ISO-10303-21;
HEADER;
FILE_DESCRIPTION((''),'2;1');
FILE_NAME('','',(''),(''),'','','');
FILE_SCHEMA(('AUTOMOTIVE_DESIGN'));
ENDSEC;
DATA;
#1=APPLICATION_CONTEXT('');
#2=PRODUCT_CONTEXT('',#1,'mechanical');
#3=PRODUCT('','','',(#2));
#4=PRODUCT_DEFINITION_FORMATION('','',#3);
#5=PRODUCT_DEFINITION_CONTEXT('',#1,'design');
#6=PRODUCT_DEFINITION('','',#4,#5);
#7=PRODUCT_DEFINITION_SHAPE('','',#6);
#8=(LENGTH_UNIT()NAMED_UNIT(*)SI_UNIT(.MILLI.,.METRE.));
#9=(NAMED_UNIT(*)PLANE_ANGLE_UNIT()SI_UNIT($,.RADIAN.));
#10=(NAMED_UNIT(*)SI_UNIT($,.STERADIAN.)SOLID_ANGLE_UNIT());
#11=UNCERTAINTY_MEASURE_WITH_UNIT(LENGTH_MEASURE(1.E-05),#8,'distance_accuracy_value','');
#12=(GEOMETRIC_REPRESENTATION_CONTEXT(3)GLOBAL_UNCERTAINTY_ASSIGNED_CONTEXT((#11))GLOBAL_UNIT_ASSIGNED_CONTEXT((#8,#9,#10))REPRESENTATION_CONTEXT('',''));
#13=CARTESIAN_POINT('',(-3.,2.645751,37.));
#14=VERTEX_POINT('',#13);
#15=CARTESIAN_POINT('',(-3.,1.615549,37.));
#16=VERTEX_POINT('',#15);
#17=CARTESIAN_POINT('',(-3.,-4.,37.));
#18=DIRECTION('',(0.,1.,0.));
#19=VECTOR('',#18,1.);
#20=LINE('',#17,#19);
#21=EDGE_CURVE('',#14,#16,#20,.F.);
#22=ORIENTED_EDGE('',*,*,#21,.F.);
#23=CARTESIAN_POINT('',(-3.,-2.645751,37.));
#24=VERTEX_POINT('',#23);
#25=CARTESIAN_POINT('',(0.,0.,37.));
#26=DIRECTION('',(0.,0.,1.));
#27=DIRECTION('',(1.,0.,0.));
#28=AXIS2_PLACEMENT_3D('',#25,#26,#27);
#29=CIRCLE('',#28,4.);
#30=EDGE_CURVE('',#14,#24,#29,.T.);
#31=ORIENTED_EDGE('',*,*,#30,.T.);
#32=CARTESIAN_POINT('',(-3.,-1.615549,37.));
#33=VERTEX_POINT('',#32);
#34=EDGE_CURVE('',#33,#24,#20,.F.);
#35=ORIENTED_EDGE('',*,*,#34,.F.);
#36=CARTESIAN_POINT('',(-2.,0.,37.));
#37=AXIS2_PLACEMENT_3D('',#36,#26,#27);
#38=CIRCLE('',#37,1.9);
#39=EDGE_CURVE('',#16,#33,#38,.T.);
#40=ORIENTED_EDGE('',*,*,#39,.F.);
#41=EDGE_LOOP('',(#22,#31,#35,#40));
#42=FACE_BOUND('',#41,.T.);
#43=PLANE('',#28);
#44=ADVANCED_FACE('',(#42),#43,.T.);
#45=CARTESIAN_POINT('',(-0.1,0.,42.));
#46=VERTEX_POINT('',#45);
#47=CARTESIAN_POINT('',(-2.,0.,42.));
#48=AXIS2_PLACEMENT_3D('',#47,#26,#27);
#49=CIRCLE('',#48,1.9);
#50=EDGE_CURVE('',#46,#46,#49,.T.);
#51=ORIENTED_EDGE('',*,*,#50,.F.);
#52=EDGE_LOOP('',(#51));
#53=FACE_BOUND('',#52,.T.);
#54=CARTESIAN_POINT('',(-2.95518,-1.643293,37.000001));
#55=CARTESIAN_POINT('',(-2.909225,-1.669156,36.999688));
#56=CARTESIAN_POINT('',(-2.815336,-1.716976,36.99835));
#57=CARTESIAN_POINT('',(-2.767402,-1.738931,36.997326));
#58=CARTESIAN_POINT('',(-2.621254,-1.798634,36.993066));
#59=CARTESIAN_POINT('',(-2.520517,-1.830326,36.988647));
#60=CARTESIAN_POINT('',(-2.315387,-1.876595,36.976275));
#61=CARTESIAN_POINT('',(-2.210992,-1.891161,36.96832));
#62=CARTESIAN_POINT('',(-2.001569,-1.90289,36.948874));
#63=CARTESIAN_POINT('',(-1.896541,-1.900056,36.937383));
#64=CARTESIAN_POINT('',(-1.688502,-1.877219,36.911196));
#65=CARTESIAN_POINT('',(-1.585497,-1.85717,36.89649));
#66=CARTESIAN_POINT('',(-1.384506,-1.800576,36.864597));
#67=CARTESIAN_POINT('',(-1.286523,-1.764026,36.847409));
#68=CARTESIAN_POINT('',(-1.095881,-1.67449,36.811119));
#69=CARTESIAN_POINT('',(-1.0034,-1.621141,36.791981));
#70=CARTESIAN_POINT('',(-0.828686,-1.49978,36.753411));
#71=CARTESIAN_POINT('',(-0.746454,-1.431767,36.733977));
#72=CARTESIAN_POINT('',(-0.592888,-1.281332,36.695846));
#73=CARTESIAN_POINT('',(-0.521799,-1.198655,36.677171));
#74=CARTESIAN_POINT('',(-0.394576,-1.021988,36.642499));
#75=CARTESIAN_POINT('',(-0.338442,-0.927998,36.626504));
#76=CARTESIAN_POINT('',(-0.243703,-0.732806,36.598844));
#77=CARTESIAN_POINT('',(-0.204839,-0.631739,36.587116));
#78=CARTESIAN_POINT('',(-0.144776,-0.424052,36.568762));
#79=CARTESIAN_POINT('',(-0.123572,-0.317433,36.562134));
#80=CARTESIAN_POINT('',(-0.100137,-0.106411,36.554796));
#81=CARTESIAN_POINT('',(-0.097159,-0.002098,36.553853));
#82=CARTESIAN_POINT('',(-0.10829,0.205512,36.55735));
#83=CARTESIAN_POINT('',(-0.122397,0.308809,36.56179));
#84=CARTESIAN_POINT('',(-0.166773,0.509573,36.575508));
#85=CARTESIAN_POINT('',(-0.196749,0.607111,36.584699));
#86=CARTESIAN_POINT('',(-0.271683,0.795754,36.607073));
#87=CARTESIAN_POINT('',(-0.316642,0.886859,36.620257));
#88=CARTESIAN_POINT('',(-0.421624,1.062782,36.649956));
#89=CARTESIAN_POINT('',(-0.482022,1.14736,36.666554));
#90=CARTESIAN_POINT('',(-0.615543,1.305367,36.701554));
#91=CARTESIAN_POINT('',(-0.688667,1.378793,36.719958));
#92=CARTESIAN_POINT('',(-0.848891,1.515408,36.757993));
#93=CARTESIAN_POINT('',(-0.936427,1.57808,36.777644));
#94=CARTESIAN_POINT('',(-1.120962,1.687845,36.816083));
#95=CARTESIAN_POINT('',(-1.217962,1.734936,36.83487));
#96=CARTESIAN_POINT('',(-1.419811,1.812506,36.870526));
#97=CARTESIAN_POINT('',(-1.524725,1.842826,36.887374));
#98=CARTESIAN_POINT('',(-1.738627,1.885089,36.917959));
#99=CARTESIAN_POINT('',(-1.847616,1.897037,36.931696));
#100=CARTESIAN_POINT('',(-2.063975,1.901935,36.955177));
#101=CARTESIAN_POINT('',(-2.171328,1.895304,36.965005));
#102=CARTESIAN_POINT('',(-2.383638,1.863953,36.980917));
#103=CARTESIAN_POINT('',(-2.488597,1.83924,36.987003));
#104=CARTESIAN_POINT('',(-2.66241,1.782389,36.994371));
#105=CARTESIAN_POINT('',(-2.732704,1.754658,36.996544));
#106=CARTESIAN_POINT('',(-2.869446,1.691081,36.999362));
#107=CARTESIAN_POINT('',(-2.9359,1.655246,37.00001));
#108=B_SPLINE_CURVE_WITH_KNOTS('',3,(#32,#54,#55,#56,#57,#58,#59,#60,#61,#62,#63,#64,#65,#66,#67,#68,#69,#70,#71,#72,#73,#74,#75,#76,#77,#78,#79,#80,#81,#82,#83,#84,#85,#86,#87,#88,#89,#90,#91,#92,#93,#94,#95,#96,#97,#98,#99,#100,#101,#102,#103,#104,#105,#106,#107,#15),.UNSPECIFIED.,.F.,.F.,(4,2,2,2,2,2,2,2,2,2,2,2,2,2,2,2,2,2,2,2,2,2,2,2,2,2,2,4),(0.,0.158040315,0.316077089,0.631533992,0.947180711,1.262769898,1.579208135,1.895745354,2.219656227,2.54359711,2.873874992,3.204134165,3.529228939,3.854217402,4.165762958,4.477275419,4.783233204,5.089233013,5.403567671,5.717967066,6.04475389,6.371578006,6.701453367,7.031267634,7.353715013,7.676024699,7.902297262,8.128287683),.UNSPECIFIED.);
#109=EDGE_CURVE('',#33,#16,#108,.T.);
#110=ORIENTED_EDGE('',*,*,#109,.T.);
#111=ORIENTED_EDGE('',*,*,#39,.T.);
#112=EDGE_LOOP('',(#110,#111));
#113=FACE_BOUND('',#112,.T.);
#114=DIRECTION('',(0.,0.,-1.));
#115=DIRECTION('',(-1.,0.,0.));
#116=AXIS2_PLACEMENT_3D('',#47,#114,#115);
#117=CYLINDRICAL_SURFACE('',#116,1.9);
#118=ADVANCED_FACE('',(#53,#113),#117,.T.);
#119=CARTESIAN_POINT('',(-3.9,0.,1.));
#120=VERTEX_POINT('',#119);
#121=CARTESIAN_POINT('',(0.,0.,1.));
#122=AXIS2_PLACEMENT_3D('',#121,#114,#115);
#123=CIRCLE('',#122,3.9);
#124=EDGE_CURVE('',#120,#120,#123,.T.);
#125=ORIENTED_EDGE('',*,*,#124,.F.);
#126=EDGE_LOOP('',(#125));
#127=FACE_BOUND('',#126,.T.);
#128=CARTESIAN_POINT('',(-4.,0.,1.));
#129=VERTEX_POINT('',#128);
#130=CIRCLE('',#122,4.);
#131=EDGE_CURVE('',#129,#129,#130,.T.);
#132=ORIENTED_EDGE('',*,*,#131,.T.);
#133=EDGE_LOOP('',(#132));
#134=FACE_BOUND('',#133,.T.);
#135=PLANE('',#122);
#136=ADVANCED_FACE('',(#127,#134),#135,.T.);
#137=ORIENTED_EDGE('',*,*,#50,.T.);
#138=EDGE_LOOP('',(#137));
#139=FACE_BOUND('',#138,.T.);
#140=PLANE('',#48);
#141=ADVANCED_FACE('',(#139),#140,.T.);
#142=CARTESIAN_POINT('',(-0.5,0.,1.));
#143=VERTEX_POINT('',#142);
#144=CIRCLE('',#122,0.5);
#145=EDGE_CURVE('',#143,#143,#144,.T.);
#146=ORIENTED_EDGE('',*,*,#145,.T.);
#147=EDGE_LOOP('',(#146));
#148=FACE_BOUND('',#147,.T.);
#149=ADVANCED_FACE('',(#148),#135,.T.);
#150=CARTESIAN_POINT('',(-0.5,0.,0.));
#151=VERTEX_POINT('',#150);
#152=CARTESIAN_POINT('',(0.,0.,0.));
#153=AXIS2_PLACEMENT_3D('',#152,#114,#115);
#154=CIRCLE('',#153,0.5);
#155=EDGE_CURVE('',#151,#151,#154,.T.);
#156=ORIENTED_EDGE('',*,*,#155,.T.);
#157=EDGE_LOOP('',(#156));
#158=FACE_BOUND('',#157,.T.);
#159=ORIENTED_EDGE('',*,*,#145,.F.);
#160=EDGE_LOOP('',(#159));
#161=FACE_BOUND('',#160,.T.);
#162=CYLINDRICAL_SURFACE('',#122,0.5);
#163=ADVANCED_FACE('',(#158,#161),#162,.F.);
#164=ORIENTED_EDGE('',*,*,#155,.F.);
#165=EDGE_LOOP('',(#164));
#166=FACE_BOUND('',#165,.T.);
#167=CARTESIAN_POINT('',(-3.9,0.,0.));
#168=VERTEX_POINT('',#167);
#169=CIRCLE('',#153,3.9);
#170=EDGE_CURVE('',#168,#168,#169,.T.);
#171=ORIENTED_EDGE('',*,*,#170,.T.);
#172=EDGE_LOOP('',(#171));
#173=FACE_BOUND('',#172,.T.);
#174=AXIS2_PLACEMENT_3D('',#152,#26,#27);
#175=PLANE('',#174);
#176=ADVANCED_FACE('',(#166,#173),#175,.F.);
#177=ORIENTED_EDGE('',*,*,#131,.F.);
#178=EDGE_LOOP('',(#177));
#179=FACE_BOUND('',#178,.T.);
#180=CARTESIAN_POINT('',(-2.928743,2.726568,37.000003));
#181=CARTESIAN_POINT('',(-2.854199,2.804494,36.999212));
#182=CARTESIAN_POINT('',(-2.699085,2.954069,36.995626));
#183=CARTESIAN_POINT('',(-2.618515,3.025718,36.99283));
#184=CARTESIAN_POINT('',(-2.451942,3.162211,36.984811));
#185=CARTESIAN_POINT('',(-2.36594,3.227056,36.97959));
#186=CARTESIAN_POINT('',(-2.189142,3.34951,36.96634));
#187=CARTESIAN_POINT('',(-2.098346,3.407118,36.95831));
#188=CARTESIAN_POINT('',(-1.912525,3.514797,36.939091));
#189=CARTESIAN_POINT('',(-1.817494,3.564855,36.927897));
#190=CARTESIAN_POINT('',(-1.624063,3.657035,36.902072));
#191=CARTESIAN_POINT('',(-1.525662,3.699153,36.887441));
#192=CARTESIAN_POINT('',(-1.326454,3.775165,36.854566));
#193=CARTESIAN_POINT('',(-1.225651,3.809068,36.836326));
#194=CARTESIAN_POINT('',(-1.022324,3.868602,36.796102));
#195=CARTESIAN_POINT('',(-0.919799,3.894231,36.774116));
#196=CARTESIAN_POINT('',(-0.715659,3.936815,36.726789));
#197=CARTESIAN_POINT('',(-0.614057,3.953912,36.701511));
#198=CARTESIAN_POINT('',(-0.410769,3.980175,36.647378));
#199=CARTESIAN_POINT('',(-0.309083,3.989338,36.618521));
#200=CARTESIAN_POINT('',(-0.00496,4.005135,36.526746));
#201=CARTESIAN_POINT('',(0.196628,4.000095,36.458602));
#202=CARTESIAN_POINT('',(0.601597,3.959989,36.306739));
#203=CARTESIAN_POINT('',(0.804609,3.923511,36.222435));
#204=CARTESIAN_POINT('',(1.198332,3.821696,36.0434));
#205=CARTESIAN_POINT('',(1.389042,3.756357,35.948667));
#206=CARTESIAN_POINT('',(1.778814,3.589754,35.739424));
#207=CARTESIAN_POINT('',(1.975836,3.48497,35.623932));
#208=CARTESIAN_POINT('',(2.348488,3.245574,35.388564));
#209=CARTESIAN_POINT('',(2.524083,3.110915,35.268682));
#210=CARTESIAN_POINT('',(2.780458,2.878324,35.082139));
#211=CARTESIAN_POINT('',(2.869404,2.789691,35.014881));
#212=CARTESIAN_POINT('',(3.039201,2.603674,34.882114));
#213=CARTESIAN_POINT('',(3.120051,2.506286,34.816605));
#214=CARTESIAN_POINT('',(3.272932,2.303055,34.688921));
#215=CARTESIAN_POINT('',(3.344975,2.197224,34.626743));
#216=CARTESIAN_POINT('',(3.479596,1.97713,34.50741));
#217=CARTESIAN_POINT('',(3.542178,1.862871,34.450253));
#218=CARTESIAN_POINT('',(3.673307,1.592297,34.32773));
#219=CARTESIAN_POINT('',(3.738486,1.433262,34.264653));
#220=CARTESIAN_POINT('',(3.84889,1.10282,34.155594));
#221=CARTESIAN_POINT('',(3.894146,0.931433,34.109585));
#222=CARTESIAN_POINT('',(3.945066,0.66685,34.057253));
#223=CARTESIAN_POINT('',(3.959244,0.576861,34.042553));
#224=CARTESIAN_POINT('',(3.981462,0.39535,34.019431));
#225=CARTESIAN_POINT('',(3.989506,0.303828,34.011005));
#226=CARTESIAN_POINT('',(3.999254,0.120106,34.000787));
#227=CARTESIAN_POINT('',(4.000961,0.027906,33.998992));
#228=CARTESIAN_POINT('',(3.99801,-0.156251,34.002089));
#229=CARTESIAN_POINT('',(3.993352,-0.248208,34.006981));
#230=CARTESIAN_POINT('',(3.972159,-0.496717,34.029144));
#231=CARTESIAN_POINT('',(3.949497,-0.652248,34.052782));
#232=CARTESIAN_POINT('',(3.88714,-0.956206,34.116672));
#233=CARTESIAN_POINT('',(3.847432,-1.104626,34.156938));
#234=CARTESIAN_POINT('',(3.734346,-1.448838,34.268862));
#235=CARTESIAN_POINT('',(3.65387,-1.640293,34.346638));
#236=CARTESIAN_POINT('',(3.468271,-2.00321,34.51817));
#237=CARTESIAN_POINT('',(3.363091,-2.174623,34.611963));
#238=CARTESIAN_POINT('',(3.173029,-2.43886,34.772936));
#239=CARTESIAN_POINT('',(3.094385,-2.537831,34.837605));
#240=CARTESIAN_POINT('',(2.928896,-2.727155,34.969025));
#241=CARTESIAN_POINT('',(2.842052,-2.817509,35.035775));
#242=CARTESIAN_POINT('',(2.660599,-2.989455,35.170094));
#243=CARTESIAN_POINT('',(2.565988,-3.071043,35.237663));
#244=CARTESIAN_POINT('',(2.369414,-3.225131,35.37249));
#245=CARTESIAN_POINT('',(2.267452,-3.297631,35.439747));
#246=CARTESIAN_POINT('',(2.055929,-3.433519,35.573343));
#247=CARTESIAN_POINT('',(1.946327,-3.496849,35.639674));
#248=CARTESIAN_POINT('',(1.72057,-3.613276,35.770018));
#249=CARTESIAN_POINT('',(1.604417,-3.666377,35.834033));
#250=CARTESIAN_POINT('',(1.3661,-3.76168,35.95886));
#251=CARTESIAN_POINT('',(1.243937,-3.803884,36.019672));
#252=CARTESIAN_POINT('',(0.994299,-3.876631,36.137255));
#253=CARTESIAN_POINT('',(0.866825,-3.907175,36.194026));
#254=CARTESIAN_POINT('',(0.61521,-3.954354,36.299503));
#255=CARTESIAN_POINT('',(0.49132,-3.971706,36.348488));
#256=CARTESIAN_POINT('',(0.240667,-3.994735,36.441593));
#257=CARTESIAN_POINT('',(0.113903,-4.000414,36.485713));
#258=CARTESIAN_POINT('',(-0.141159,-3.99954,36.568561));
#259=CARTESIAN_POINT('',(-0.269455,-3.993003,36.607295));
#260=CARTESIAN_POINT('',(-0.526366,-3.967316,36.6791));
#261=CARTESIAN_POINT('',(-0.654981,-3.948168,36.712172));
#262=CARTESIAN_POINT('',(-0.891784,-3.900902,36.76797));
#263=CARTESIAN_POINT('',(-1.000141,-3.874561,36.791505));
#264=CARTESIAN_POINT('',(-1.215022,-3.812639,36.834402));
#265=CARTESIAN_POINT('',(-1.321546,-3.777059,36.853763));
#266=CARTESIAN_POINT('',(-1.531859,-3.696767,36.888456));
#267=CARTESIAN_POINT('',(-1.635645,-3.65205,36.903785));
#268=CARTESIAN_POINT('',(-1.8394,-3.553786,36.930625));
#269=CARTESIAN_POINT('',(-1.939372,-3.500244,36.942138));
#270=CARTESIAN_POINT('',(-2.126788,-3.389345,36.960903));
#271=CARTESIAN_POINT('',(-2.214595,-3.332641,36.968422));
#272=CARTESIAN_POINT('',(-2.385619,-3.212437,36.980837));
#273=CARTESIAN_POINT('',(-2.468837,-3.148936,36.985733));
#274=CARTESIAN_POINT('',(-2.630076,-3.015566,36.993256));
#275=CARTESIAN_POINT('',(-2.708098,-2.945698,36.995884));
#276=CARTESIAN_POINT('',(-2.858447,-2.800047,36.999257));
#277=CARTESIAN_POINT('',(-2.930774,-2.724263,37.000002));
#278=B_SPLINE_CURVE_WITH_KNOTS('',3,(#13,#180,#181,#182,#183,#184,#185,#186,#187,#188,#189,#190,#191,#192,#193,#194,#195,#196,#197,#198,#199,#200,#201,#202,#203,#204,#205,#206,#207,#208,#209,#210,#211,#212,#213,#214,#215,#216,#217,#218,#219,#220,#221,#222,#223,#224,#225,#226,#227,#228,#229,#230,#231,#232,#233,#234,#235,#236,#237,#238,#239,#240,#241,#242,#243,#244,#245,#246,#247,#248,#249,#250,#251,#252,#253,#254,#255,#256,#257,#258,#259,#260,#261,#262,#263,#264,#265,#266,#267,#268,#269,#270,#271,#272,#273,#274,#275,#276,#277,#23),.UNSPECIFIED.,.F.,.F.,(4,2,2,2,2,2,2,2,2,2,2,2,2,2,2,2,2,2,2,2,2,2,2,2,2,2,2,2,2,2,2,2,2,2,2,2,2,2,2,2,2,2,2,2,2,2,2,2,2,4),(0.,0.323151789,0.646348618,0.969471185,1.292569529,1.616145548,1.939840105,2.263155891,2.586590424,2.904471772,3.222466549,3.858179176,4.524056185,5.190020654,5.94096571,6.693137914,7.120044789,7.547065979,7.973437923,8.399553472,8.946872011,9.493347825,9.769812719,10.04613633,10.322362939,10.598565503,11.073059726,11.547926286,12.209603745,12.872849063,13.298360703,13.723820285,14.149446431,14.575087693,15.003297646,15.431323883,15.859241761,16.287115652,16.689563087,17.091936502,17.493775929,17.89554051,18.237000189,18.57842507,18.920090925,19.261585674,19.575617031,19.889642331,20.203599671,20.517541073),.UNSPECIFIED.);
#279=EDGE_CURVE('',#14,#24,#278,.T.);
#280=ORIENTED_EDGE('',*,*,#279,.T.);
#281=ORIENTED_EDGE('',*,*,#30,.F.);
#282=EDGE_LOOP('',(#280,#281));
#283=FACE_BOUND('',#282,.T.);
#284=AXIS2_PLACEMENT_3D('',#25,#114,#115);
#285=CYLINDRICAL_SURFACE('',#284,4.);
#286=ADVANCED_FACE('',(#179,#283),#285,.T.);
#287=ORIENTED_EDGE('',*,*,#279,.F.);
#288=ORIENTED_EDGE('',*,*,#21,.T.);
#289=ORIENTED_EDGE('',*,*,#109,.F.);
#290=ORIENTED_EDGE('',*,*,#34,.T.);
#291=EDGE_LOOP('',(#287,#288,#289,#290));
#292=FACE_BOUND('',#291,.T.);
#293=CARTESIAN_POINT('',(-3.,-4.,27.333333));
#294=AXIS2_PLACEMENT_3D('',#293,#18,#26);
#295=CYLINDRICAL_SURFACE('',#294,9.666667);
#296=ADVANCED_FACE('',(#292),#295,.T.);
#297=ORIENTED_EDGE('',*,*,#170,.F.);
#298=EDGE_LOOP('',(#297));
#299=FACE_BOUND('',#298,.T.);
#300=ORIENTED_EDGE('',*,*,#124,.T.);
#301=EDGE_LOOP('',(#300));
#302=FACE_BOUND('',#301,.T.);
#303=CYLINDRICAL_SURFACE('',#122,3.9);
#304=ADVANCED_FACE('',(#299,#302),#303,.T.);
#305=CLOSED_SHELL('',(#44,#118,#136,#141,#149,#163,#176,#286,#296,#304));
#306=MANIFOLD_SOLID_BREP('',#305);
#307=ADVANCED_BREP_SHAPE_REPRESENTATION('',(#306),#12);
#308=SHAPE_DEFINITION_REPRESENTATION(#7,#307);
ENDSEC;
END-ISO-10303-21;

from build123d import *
from build123d.topology import SkipClean

# Parameters (mm, degrees)
SKETCH_1_R                  = 4
EXTRUDE_1_DEPTH             = 37
SKETCH_2_R                  = 4
SKETCH_2_R_2                = 3.9
SKETCH_2_R_3                = 0.5
CUT_EXTRUDE_1_DEPTH         = 1
CUT_EXTRUDE_2_DEPTH         = 38.429934544
CUT_EXTRUDE_2_DEPTH_BACK    = 38.429934544
EXTRUDE_2_REACH             = 39.43
SKETCH_4_R                  = 1.9
EXTRUDE_2_DIRECTION_2_DEPTH = 5


with BuildPart() as part:
    # 草图1 → 凸台-拉伸1 (new body)
    with BuildSketch(Plane.XY):
        Circle(SKETCH_1_R)
    extrude(amount=EXTRUDE_1_DEPTH)

    # 草图2 → 切除-拉伸1 (cut)
    # profile 1 of 2: a face of its own
    with BuildSketch(Plane(origin=(0, 0, 0), x_dir=(-1, 0, 0), z_dir=(0, 0, -1))):
        Circle(SKETCH_2_R)
        Circle(SKETCH_2_R_2, mode=Mode.SUBTRACT)
    # profile 2 of 2: a face of its own
    with BuildSketch(Plane(origin=(0, 0, 0), x_dir=(-1, 0, 0), z_dir=(0, 0, -1))):
        Circle(SKETCH_2_R_3)
    extrude(amount=-CUT_EXTRUDE_1_DEPTH, mode=Mode.SUBTRACT)

    # 草图3 → 切除-拉伸2 (cut, two sides: drawn at the far end of the back side and taken through both)
    with BuildSketch(Plane(origin=(0, 0, 0), x_dir=(1, 0, 0), z_dir=(0, 1, 0)).offset(-CUT_EXTRUDE_2_DEPTH_BACK)):
        with BuildLine():
            Line((-3, -37), (4, -37))
            Line((4, -37), (4, -34))
            ThreePointArc((4, -34), (0.807886553, -36.218401957), (-3, -37))
        make_face()
    extrude(amount=CUT_EXTRUDE_2_DEPTH + CUT_EXTRUDE_2_DEPTH_BACK, mode=Mode.SUBTRACT)

    # 草图4 → 凸台-拉伸2 (add, up to next)
    with BuildSketch(Plane.XY.offset(37), mode=Mode.PRIVATE) as extrude_2_sk1:
        with Locations((-2, 0)):
            Circle(SKETCH_4_R)
    extrude_2_tool1 = extrude(extrude_2_sk1.sketch, amount=-EXTRUDE_2_REACH, mode=Mode.PRIVATE) - part.part
    add(extrude_2_tool1.solids().sort_by_distance((-2, 0, 37))[0])

    # 草图4 → 凸台-拉伸2 direction 2 (add)
    with SkipClean():  # the faces are left unmerged after this step: merging them gives an invalid solid
        with BuildSketch(Plane.XY.offset(37)):
            with Locations((-2, 0)):
                Circle(SKETCH_4_R)
        extrude(amount=EXTRUDE_2_DIRECTION_2_DEPTH)
    add(part.part.scale(1), mode=Mode.REPLACE)  # the faces are merged on a copy


solid = part.part
